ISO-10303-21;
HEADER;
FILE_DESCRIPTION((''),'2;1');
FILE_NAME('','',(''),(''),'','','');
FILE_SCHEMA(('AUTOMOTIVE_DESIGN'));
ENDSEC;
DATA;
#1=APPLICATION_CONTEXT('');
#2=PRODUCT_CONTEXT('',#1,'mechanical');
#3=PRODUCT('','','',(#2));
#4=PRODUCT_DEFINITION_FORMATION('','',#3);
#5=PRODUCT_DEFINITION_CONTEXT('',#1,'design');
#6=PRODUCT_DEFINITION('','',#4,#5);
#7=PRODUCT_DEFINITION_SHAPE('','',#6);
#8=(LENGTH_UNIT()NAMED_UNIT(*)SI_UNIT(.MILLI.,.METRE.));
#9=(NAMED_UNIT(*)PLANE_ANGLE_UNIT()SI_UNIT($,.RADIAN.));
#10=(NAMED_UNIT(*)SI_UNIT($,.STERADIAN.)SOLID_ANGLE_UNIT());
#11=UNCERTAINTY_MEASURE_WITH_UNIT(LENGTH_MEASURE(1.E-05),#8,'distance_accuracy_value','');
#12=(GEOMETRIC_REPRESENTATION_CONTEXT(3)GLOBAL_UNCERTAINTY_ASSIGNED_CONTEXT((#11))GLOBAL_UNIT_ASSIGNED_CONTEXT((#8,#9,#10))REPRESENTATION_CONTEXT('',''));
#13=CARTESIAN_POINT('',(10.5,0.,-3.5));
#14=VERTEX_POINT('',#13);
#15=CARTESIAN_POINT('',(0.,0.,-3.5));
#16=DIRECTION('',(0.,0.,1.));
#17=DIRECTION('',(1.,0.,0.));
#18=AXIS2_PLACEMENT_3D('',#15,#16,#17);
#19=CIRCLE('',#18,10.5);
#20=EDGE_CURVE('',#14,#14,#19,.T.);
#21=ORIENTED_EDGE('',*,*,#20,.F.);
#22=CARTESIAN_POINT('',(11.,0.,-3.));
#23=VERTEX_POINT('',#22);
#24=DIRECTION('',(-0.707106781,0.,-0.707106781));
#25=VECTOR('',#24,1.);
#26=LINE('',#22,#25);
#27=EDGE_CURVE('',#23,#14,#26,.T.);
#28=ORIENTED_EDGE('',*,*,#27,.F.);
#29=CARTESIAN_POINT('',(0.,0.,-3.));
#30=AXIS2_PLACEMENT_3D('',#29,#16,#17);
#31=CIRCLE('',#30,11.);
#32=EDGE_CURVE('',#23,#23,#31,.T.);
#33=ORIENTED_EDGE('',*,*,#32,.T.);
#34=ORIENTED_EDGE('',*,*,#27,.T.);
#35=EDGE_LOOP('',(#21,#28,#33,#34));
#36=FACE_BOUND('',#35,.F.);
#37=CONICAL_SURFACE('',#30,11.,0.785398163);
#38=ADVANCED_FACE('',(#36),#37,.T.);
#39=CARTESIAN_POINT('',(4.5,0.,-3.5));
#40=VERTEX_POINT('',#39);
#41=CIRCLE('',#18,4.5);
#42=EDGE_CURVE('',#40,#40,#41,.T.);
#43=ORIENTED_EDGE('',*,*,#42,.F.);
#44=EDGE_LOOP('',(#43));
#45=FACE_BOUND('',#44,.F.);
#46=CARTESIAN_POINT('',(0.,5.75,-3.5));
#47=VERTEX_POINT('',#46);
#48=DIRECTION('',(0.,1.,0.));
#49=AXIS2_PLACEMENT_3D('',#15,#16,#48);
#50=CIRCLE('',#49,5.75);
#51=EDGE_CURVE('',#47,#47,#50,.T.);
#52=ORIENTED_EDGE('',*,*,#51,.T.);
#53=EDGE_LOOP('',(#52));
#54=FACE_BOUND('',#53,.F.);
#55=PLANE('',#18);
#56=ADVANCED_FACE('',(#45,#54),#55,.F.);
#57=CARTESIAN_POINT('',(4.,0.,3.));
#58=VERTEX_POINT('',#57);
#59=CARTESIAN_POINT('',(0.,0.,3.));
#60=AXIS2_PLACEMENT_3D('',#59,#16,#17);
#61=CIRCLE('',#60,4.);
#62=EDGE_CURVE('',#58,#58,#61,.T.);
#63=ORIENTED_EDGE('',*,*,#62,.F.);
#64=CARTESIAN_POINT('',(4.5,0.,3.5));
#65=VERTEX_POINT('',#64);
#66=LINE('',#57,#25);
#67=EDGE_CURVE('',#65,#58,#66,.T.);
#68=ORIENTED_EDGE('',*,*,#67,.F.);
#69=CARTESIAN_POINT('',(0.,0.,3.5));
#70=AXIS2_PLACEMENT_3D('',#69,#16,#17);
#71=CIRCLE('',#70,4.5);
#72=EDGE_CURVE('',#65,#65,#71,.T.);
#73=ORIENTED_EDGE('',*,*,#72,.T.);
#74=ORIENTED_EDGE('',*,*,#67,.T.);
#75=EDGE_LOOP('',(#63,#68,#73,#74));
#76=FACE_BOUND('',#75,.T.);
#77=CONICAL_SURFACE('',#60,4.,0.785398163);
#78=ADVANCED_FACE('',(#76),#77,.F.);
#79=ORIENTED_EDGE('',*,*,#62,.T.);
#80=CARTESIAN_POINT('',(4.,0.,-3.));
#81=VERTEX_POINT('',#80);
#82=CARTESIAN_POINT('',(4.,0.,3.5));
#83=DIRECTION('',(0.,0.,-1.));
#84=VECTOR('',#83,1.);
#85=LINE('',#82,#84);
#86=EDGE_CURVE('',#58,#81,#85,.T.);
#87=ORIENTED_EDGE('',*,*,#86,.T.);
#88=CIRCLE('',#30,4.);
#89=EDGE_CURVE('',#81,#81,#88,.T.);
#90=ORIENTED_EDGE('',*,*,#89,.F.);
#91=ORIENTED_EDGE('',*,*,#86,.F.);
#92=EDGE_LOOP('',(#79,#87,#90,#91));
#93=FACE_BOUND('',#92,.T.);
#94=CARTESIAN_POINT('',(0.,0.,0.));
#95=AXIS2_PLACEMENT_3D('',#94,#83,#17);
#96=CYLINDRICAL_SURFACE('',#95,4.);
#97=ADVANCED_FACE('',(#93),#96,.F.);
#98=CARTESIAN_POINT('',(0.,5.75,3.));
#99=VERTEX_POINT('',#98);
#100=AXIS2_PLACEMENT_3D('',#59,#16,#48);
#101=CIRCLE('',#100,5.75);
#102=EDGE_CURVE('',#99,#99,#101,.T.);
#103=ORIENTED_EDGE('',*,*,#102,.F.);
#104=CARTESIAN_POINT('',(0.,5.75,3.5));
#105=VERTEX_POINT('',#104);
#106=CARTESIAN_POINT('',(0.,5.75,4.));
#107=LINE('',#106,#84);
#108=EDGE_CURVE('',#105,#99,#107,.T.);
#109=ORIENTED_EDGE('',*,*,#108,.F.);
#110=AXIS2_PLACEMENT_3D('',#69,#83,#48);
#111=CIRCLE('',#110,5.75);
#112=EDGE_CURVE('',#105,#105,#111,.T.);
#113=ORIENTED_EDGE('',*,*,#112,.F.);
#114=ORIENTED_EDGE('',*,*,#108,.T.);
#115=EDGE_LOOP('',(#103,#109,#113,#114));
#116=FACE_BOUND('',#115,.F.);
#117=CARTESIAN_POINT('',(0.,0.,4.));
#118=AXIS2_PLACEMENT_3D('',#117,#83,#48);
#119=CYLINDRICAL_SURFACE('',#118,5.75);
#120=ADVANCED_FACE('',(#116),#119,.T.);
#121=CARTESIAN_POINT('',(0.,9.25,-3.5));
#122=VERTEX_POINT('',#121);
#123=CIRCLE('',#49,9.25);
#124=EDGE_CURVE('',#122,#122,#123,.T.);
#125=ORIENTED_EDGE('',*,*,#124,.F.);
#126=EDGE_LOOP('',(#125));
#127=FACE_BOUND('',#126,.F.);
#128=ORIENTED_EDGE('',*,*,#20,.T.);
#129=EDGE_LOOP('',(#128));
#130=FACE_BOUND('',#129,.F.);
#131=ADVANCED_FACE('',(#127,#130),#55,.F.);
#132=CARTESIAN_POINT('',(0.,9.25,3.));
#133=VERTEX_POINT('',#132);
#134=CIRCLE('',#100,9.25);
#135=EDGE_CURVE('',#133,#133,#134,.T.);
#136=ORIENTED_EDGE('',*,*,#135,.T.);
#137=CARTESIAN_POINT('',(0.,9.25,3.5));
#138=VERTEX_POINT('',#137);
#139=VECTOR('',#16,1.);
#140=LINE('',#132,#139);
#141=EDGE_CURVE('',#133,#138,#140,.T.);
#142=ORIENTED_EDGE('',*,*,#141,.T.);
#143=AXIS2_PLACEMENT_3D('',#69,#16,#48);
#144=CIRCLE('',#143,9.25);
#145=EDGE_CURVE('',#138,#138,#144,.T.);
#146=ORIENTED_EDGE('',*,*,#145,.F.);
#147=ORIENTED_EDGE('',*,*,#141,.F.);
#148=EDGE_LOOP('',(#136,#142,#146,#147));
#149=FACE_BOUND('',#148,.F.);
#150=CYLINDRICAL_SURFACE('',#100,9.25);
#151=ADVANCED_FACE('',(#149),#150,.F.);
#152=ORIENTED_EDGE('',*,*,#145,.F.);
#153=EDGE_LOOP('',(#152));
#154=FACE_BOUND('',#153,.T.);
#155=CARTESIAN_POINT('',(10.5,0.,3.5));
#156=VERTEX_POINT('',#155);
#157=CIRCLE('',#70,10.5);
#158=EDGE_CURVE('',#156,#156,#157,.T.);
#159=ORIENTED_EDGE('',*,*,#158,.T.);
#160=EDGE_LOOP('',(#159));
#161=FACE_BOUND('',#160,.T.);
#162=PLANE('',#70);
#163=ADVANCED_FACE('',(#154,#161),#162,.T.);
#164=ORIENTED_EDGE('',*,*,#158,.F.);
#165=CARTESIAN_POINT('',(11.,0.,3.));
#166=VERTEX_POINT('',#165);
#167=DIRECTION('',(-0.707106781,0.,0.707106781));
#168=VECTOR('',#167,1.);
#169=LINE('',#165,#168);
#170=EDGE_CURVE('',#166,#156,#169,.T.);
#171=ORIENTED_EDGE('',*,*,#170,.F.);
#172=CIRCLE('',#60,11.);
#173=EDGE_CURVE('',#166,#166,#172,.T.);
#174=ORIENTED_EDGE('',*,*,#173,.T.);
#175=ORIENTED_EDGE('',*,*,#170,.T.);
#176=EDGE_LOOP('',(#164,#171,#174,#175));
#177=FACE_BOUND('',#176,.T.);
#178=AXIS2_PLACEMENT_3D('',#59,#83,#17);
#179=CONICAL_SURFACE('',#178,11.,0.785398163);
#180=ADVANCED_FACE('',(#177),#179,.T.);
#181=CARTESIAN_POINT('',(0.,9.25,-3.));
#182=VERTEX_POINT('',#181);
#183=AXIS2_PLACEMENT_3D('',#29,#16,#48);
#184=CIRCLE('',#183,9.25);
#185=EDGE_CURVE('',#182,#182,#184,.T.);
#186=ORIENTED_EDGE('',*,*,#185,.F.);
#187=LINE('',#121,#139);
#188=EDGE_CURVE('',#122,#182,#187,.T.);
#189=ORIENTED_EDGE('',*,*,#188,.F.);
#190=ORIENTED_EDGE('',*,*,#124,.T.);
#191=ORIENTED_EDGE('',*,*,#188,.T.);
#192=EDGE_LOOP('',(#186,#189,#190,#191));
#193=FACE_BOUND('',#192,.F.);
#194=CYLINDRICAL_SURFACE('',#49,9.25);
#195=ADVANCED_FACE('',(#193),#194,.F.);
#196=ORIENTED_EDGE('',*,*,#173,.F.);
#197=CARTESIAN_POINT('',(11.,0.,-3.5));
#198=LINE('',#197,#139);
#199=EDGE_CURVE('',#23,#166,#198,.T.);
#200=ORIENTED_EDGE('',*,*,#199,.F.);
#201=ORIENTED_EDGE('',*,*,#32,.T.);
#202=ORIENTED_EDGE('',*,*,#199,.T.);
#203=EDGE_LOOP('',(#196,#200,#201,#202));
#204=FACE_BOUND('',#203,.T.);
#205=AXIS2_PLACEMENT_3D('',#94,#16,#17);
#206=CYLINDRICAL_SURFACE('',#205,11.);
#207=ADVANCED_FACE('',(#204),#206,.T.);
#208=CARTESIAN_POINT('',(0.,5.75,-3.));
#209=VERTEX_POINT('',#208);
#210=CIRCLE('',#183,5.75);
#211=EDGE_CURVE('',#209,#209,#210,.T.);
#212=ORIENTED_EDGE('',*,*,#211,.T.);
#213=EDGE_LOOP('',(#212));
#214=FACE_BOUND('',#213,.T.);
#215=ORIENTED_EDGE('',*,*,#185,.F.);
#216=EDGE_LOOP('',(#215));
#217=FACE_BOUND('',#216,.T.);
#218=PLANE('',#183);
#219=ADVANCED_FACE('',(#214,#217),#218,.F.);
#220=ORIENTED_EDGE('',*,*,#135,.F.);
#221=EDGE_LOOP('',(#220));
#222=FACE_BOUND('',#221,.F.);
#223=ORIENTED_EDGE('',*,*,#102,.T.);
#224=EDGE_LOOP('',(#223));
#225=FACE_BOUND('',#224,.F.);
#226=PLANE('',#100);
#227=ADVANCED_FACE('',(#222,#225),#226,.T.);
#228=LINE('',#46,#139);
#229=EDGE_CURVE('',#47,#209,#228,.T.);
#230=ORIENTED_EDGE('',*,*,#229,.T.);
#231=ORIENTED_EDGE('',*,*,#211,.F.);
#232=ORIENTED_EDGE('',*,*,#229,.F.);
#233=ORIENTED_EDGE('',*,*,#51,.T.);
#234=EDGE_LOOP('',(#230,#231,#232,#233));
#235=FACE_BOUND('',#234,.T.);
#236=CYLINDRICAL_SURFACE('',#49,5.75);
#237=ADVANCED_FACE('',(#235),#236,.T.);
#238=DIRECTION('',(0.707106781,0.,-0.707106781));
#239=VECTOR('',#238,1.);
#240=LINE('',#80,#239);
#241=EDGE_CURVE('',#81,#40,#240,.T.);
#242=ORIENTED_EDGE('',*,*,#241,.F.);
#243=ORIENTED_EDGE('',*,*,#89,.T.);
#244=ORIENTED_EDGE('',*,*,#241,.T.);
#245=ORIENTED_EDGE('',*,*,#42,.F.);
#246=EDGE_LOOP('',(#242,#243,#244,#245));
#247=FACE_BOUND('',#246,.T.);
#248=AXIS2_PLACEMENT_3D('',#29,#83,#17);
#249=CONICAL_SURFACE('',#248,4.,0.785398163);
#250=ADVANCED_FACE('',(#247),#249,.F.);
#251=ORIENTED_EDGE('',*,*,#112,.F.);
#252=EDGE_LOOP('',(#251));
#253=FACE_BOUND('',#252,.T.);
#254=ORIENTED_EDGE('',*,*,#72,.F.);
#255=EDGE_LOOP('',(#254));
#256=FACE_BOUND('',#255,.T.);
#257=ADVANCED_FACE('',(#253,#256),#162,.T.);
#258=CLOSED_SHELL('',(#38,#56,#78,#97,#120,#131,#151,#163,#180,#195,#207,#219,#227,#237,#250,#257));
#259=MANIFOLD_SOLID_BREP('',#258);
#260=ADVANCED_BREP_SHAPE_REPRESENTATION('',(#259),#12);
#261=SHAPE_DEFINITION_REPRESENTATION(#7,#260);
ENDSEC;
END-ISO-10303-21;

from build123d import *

# Parameters (mm, degrees)
F0_R     = 11
F0_R_2   = 4
F1_DEPTH = 3.5
F2_SIZE  = 0.5
F3_W     = 3.5
F3_H     = 0.5
F3_H_2   = 1


with BuildPart() as f1:
    # F0 (on Top) → F1 (new body, symmetric)
    with BuildSketch(Plane.XY):
        Circle(F0_R)
        Circle(F0_R_2, mode=Mode.SUBTRACT)
    extrude(amount=F1_DEPTH, both=True)

    # F2
    f2_edges = [f1.edges().sort_by_distance(p)[0] for p in [
        (-11, 0, 3.5),
        (-11, 0, -3.5),
        (-4, 0, 3.5),
        (-4, 0, -3.5),
    ]]
    chamfer(f2_edges, length=F2_SIZE)

    # F3 (on Right) → F4 (revolve, cut)
    with BuildSketch(Plane.YZ):
        with Locations((7.5, 3.75)):
            Rectangle(F3_W, F3_H)
        with Locations((7.5, 3.25)):
            Rectangle(F3_W, F3_H)
        with Locations((7.5, -3.5)):
            Rectangle(F3_W, F3_H_2)
    revolve(axis=Axis((0, 0, 3.5), (0, 0, 1)), mode=Mode.SUBTRACT)


solid = f1.part
